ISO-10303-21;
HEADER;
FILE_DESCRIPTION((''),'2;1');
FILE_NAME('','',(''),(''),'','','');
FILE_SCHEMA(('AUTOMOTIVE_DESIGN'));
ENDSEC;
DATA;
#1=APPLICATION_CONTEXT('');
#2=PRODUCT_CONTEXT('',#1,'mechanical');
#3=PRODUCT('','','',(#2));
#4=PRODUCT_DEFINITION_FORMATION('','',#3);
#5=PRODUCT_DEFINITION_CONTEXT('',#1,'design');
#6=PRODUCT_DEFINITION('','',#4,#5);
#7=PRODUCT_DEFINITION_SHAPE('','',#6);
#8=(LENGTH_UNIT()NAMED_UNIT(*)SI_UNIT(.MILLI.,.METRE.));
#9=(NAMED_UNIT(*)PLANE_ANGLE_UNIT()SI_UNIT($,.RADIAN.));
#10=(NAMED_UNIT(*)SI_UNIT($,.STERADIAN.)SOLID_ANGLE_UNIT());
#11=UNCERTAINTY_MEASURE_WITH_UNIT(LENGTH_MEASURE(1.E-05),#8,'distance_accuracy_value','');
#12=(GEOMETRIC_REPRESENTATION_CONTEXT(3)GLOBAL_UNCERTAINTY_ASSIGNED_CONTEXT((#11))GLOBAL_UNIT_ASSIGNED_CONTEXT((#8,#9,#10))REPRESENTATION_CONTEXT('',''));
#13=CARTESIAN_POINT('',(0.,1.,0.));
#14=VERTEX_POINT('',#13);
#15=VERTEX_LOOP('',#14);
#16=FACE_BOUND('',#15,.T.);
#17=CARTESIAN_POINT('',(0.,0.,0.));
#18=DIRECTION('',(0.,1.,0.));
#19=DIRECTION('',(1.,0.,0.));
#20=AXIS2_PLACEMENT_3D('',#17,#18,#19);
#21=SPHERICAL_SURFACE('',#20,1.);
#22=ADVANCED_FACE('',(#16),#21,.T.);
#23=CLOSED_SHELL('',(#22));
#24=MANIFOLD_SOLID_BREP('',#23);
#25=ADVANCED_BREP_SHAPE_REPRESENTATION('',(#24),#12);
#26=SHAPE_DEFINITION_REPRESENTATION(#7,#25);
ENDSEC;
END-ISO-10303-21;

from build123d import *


with BuildPart() as part:
    # 草图1 → 旋转1 (revolve)
    with BuildSketch(Plane.XY):
        with BuildLine():
            Line((0, -1), (0, 1))
            ThreePointArc((0, 1), (1, 0), (0, -1))
        make_face()
    revolve(axis=Axis((0, 1, 0), (0, -1, 0)))


solid = part.part
